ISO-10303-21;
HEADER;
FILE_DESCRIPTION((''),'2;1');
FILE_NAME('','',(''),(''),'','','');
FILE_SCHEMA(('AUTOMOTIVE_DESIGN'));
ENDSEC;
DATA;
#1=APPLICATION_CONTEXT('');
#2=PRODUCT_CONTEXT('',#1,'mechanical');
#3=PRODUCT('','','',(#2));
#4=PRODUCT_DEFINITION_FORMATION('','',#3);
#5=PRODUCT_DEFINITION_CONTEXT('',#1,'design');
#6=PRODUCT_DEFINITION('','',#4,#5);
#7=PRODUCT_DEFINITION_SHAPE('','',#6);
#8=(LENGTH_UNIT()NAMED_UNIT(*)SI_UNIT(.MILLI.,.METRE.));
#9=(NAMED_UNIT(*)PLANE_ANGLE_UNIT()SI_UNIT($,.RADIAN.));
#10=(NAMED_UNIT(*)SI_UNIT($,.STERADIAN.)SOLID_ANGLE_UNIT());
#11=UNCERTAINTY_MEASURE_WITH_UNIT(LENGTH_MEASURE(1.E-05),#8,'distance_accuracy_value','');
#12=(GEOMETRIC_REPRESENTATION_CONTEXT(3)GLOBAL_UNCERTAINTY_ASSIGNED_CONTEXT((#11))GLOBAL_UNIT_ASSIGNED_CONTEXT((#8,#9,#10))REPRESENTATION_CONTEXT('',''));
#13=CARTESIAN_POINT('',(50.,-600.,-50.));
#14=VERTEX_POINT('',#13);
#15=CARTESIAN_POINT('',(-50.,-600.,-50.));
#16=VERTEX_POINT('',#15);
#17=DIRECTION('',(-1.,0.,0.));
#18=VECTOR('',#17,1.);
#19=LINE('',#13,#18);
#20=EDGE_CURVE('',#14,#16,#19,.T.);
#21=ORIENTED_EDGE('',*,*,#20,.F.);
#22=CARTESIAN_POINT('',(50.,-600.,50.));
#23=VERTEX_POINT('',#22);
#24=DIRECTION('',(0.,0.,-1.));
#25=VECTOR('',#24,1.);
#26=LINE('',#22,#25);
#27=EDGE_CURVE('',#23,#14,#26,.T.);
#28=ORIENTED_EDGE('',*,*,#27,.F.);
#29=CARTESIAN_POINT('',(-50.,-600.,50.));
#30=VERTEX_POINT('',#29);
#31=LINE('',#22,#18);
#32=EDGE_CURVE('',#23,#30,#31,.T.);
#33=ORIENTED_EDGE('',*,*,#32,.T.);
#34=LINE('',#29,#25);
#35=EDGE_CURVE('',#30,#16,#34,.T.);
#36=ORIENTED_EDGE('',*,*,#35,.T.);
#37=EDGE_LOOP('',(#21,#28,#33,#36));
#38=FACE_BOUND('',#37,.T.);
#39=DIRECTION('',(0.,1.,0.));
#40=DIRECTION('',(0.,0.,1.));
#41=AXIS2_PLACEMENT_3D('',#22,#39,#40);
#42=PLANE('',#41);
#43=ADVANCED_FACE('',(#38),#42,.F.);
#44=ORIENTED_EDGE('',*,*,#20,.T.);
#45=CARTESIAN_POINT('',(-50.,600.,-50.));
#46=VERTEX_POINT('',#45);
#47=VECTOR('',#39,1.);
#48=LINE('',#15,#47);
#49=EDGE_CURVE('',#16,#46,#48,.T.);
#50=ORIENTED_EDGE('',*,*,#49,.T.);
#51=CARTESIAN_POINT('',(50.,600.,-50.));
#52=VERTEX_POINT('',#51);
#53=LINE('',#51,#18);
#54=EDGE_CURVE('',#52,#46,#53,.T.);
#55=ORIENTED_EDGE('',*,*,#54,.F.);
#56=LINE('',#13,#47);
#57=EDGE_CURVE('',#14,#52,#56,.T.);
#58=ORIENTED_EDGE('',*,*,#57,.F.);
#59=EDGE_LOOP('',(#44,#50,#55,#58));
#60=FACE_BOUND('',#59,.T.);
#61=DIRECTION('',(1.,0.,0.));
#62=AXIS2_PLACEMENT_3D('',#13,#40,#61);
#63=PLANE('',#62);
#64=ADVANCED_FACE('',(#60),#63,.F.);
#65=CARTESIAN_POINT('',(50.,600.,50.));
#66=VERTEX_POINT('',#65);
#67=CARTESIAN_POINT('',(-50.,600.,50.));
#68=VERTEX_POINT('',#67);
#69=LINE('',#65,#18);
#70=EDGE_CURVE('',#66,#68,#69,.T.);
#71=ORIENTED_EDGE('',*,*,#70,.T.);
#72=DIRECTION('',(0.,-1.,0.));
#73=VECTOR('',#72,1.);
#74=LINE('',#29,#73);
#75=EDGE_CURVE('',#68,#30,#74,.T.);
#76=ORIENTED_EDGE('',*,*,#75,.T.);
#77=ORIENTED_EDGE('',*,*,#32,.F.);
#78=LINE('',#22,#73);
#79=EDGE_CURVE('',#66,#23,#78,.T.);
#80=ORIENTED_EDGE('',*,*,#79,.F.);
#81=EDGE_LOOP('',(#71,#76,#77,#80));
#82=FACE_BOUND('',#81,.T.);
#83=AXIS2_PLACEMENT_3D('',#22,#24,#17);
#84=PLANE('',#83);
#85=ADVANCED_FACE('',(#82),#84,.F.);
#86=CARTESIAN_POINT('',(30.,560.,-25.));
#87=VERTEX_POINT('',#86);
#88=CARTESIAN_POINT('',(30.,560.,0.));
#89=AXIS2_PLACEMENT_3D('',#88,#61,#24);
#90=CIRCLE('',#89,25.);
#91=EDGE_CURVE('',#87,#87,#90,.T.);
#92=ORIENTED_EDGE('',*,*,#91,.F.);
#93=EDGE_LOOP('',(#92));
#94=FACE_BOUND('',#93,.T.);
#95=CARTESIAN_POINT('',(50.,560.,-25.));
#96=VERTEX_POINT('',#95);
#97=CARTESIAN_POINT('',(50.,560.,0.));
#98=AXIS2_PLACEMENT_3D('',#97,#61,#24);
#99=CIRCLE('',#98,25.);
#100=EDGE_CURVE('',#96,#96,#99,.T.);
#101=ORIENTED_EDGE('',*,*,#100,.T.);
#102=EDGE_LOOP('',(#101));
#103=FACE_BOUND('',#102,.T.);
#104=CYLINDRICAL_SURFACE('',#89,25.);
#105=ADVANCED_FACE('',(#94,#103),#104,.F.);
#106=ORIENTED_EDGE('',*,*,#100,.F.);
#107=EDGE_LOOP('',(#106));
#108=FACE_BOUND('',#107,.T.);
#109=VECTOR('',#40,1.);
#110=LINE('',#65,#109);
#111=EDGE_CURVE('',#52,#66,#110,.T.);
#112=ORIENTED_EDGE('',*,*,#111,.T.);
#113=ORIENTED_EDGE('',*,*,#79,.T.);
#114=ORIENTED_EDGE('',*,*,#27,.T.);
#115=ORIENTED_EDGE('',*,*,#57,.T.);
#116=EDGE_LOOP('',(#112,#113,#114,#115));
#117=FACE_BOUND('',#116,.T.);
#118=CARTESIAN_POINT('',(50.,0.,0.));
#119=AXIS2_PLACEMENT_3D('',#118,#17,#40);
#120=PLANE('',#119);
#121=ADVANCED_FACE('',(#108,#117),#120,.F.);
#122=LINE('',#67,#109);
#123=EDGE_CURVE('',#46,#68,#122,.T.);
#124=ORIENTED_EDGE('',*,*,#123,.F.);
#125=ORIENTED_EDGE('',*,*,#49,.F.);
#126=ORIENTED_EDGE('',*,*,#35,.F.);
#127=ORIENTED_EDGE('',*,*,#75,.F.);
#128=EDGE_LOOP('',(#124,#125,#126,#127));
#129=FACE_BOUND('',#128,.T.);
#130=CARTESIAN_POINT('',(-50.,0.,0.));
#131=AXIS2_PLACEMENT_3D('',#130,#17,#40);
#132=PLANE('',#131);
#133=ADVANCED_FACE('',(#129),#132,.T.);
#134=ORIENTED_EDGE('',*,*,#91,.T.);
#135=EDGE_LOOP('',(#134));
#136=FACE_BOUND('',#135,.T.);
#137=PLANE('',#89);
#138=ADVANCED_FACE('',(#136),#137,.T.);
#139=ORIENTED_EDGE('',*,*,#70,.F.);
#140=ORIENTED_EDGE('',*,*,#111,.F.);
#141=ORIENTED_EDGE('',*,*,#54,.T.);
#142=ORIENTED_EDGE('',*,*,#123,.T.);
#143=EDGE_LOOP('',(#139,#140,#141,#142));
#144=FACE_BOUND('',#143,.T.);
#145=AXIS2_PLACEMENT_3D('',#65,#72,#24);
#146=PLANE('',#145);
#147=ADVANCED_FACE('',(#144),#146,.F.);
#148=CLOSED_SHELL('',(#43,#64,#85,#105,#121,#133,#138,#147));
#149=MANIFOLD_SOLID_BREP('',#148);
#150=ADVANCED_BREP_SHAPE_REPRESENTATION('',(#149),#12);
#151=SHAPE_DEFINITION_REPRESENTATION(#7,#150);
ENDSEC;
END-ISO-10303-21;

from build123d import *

# Parameters (mm, degrees)
SKETCH1_W           = 100
SKETCH1_H           = 1200
BOSS_EXTRUDE1_DEPTH = 50
SKETCH2_R           = 25
CUT_EXTRUDE1_DEPTH  = 20


with BuildPart() as part:
    # Sketch1 → Boss-Extrude1 (new, symmetric)
    with BuildSketch(Plane(origin=(0, 0, 0), x_dir=(0, 0, -1), z_dir=(1, 0, 0))):
        Rectangle(SKETCH1_W, SKETCH1_H)
    extrude(amount=BOSS_EXTRUDE1_DEPTH, both=True)

    # Sketch2 → Cut-Extrude1 (cut)
    with BuildSketch(Plane(origin=(50, 0, 0), x_dir=(0, 0, -1), z_dir=(1, 0, 0))):
        with Locations((0, 560)):
            Circle(SKETCH2_R)
    extrude(amount=-CUT_EXTRUDE1_DEPTH, mode=Mode.SUBTRACT)


solid = part.part
